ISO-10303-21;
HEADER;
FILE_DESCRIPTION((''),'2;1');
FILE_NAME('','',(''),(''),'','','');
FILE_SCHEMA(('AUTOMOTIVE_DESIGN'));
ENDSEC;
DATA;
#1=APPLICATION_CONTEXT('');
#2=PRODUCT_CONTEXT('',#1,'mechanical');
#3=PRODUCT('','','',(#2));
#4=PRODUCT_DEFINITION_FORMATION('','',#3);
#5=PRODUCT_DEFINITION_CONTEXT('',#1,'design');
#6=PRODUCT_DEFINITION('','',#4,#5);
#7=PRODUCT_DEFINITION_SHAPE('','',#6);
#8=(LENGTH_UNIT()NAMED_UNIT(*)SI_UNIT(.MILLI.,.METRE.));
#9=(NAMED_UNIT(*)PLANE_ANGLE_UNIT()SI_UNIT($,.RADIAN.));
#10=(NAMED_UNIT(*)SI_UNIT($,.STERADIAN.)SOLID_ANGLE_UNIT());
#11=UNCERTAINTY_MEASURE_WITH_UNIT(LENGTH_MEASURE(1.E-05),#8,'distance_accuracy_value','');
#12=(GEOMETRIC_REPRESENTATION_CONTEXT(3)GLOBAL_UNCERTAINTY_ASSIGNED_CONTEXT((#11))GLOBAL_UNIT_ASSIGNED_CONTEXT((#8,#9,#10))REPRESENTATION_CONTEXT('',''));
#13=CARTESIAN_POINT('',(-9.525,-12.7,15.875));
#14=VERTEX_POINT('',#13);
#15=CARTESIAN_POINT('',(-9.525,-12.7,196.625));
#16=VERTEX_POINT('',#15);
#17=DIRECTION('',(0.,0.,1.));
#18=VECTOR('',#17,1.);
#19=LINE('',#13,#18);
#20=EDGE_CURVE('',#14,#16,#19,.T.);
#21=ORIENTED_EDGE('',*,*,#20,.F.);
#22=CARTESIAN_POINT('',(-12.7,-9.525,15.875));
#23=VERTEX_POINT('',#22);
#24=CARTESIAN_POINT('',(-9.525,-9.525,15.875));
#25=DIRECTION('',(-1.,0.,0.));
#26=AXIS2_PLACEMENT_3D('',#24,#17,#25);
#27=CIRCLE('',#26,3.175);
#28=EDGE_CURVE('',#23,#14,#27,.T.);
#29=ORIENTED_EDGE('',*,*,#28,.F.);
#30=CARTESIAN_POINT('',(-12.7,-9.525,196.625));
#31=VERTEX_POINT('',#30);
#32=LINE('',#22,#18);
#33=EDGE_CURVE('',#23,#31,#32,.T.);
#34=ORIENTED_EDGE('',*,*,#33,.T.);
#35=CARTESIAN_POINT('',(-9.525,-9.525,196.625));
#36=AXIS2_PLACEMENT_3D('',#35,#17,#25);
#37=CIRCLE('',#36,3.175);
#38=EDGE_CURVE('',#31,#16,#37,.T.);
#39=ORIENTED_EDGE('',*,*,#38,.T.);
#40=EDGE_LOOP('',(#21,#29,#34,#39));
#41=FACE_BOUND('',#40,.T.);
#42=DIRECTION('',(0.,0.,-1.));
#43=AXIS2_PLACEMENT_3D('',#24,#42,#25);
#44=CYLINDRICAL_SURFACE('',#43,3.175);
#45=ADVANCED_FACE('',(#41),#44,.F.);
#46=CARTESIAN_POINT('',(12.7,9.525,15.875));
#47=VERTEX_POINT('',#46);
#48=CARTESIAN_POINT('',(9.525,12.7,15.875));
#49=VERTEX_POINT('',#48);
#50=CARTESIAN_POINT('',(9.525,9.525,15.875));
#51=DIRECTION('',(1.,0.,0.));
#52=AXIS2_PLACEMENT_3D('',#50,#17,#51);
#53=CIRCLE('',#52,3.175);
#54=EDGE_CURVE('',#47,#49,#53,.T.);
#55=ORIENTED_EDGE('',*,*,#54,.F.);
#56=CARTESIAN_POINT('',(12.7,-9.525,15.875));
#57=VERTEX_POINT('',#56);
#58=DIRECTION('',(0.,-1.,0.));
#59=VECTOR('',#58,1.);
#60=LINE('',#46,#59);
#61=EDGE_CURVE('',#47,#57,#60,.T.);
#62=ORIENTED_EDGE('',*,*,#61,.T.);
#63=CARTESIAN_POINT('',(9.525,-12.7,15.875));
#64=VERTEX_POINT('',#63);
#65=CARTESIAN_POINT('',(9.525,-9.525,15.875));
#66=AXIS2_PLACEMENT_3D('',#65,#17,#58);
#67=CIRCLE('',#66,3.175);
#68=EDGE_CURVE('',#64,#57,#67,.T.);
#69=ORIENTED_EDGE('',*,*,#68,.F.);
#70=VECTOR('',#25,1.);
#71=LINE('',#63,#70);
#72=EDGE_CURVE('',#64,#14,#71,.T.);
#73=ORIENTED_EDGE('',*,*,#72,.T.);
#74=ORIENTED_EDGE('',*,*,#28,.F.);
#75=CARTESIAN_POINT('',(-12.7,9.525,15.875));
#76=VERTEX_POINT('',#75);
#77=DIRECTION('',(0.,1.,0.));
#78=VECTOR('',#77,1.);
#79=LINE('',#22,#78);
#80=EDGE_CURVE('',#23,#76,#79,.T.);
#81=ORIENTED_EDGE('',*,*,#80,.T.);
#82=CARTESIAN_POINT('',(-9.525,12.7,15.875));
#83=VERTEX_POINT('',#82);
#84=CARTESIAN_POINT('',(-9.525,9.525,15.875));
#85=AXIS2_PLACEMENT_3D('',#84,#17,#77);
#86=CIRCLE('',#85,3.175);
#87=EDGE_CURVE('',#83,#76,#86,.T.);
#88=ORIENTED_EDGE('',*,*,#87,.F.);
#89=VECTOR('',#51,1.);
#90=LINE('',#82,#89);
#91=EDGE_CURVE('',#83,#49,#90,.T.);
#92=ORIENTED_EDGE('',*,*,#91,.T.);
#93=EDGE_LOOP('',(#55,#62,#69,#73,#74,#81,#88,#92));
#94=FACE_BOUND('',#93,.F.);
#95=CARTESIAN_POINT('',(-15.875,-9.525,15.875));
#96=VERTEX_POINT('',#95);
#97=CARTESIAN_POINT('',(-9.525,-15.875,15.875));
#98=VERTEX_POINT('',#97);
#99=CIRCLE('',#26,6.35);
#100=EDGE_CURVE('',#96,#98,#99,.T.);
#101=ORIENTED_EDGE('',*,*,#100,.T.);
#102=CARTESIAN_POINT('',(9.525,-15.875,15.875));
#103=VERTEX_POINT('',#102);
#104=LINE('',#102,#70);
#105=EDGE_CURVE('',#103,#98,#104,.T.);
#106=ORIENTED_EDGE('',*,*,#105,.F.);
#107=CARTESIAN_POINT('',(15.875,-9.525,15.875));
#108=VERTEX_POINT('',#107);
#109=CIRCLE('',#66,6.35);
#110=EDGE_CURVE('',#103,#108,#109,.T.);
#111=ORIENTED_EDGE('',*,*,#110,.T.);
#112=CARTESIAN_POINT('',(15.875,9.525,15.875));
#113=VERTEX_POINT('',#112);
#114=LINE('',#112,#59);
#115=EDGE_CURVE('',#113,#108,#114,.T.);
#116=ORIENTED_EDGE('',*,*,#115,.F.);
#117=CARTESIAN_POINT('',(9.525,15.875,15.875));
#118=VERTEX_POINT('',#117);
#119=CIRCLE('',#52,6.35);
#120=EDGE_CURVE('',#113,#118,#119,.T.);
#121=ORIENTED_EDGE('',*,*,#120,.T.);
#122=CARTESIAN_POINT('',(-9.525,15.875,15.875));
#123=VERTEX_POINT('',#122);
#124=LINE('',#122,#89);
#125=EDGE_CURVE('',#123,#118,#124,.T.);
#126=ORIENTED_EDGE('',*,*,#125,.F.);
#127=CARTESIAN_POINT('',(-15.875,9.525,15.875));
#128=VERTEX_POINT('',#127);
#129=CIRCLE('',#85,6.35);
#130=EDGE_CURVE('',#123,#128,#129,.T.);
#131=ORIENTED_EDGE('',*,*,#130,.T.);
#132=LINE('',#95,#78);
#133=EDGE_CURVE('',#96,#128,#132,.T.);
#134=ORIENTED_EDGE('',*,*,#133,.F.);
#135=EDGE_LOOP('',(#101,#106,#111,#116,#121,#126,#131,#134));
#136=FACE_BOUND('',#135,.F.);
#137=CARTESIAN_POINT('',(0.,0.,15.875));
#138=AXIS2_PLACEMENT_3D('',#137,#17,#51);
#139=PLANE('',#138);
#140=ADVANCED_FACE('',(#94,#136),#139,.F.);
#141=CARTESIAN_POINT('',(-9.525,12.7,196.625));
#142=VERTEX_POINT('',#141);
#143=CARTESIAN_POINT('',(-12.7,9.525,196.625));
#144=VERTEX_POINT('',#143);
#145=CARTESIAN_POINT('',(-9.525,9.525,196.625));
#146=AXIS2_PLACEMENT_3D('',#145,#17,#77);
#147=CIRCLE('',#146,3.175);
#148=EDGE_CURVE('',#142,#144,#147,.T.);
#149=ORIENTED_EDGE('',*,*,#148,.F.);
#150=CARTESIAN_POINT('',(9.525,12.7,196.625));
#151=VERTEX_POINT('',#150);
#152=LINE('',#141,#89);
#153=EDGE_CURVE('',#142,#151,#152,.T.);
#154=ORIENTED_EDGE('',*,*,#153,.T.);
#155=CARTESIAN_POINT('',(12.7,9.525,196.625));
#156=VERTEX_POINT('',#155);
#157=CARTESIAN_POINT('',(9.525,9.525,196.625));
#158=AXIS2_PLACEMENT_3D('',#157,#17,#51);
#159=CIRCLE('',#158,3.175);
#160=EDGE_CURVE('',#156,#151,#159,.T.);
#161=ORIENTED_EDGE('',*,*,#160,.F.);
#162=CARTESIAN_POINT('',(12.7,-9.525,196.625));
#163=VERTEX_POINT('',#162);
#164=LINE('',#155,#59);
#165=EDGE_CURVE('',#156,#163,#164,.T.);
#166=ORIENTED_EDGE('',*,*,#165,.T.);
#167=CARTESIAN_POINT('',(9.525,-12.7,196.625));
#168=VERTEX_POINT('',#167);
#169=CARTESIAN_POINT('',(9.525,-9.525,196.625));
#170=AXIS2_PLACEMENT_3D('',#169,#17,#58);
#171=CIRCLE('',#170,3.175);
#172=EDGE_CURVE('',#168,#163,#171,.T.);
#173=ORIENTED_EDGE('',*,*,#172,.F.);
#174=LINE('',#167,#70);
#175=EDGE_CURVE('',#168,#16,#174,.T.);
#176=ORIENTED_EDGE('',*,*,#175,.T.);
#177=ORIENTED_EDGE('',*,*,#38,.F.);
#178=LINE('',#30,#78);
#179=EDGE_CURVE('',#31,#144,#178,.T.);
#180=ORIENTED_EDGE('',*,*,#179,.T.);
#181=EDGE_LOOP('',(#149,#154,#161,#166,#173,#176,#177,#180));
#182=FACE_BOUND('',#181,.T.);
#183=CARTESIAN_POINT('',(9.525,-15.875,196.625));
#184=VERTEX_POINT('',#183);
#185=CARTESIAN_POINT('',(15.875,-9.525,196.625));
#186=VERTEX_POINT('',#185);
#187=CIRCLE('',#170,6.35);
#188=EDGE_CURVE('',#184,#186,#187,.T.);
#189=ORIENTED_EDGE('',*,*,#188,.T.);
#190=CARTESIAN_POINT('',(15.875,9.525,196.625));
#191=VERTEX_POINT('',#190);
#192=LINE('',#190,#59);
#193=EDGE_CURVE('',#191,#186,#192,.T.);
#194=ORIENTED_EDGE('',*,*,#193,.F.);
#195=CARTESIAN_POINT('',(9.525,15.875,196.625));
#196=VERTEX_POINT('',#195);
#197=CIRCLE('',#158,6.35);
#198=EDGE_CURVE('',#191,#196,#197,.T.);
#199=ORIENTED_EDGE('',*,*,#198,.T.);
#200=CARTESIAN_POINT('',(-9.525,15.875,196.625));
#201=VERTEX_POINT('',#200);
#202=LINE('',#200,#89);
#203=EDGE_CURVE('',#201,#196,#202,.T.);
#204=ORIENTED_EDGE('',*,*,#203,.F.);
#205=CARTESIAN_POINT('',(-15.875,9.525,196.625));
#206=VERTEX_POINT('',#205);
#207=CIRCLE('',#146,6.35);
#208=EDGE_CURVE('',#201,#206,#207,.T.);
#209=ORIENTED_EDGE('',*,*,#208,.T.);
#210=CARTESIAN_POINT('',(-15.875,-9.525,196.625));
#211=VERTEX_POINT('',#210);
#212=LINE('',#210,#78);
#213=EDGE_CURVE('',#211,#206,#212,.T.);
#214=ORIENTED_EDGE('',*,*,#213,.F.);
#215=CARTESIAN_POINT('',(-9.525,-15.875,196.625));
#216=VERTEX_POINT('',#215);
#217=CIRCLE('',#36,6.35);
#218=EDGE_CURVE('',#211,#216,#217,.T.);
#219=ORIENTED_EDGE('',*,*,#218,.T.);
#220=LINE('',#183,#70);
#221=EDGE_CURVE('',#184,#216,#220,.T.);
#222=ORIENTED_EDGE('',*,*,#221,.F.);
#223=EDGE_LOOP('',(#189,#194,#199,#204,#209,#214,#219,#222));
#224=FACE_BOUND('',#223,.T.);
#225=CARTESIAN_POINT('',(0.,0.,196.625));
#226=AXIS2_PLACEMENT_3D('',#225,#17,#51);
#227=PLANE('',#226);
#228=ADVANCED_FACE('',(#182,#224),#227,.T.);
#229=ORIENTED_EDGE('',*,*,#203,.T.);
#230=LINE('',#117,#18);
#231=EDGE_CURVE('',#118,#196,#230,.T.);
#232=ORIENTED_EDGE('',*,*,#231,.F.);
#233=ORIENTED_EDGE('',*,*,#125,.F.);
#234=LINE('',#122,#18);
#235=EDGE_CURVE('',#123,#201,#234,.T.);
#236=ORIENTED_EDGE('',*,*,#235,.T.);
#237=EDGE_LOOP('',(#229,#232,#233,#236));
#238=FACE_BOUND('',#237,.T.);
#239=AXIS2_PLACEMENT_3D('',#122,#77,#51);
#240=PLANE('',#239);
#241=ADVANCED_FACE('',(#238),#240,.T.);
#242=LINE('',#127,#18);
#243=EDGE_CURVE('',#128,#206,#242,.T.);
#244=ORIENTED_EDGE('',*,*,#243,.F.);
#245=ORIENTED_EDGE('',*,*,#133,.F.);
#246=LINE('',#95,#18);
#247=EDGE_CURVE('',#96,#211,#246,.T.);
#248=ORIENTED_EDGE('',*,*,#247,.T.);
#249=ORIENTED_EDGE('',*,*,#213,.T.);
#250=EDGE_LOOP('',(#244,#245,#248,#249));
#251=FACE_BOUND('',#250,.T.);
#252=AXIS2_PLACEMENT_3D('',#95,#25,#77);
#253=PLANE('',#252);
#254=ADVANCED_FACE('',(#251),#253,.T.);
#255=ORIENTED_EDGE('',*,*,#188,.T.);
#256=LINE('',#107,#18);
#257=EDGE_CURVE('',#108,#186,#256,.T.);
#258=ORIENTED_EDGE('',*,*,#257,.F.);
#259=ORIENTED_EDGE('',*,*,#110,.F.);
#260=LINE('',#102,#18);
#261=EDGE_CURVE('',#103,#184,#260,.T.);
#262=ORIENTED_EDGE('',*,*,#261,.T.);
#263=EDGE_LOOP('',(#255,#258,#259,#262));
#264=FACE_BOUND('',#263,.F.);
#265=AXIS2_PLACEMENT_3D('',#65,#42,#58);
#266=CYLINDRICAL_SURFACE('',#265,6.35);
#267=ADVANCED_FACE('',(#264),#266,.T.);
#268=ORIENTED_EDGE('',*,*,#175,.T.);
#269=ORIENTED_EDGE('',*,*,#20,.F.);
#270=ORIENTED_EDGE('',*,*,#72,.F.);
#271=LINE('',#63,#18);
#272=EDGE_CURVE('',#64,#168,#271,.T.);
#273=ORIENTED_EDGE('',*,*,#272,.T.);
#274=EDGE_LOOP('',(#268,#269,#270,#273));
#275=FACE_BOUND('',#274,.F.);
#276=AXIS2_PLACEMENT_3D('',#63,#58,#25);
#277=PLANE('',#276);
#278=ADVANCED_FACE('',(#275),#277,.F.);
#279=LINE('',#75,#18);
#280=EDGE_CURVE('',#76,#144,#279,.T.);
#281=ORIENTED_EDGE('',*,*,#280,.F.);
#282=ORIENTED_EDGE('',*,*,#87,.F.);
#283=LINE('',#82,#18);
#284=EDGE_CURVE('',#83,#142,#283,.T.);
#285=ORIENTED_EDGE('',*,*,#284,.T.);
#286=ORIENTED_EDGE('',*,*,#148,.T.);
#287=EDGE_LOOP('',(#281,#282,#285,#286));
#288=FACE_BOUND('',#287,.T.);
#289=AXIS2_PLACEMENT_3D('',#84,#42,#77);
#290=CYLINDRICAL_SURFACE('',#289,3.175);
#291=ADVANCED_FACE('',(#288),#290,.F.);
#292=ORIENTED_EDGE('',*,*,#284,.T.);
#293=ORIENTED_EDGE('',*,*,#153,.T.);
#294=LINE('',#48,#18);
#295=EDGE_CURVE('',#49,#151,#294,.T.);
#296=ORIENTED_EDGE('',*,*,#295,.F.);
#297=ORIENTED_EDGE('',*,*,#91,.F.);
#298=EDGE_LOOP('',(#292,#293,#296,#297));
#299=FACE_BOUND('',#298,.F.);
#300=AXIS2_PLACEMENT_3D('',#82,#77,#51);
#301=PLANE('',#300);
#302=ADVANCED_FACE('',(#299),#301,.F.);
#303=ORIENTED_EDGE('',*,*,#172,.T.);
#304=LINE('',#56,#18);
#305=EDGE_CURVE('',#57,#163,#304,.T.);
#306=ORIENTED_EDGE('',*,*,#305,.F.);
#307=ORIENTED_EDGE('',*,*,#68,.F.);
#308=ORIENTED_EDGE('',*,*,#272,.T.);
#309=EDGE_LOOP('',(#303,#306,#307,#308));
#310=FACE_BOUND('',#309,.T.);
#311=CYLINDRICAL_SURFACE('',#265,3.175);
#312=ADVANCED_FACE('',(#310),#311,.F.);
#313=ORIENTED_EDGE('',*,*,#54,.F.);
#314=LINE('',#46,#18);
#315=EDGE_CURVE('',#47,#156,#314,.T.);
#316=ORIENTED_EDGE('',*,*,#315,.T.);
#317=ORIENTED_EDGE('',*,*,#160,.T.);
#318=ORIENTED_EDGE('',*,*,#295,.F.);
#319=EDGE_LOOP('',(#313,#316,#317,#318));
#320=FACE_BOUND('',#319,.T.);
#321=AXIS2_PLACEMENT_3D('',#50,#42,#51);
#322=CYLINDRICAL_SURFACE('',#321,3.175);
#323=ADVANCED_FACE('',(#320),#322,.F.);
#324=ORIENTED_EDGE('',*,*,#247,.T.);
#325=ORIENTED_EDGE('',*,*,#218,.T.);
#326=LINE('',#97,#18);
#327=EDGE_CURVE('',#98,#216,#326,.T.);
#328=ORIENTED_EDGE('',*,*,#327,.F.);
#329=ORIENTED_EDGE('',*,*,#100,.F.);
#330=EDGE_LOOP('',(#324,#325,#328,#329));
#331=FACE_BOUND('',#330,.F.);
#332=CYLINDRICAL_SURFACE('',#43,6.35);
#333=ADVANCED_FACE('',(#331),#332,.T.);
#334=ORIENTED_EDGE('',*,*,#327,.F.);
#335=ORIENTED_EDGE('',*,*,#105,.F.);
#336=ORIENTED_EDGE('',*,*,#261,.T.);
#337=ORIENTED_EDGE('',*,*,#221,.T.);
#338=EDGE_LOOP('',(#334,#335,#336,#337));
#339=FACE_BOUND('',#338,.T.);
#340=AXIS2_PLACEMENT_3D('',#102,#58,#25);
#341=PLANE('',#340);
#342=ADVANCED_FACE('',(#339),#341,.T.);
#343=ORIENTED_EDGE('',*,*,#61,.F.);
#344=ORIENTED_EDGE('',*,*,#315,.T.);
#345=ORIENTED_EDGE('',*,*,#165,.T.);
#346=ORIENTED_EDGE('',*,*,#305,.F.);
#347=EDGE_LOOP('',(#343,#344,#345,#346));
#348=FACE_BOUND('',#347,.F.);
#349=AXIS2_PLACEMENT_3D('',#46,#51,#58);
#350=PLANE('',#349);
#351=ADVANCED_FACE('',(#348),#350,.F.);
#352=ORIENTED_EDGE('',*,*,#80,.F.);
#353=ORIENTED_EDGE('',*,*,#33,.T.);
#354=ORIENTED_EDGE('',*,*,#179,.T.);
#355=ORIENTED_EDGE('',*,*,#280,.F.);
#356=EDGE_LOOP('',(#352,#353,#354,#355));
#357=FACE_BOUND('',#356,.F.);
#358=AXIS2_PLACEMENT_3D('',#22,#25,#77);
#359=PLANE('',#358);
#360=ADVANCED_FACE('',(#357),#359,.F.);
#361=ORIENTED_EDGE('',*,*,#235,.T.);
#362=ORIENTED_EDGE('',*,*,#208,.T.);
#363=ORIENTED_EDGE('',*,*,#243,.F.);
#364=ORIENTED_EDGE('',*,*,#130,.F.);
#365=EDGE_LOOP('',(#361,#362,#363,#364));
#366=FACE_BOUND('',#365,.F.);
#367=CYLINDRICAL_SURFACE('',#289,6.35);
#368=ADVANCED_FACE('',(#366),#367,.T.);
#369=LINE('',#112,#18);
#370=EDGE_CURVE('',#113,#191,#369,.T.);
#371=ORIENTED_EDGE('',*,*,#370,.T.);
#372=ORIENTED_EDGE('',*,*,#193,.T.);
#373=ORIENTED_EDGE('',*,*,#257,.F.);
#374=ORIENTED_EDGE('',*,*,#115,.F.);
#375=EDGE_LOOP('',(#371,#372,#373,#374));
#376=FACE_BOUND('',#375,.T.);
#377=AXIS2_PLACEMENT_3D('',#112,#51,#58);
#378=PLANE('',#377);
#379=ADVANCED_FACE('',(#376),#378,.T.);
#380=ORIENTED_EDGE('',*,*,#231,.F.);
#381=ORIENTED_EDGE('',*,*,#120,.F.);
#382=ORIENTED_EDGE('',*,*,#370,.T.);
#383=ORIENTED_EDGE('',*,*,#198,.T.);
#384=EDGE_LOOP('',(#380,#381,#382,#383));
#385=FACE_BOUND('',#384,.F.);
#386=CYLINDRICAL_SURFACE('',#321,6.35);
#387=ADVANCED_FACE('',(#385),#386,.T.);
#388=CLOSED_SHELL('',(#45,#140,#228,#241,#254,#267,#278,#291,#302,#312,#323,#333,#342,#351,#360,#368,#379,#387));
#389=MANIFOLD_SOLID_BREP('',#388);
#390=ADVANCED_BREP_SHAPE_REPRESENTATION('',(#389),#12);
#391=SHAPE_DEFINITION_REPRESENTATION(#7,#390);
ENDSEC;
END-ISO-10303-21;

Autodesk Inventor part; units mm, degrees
ref_plane "Start Plane" through (0, 0, 15.875) normal (0, 0, 1) x (1, 0, 0)
ref_plane "End Plane" through (0, 0, 196.625) normal (0, 0, 1) x (1, 0, 0)
sketch "Sketch" plane through (0, 0, 0) normal (0, 0, 1) x (1, 0, 0)
  line L0 (-15.875, -9.525) -> (-15.875, 9.525)
  line L1 (-9.525, 15.875) -> (9.525, 15.875)
  line L2 (15.875, 9.525) -> (15.875, -9.525)
  line L3 (9.525, -15.875) -> (-9.525, -15.875)
  arc A0 (-15.875, -9.525) -> (-9.525, -15.875) centre (-9.525, -9.525) ccw
  arc A1 (-9.525, 15.875) -> (-15.875, 9.525) centre (-9.525, 9.525) ccw
  arc A2 (15.875, 9.525) -> (9.525, 15.875) centre (9.525, 9.525) ccw
  arc A3 (9.525, -15.875) -> (15.875, -9.525) centre (9.525, -9.525) ccw
  arc A4 (-9.525, 12.7) -> (-12.7, 9.525) centre (-9.525, 9.525) ccw
  line L4 (-9.525, 12.7) -> (9.525, 12.7)
  arc A5 (12.7, 9.525) -> (9.525, 12.7) centre (9.525, 9.525) ccw
  line L5 (12.7, 9.525) -> (12.7, -9.525)
  arc A6 (9.525, -12.7) -> (12.7, -9.525) centre (9.525, -9.525) ccw
  line L6 (9.525, -12.7) -> (-9.525, -12.7)
  arc A7 (-12.7, -9.525) -> (-9.525, -12.7) centre (-9.525, -9.525) ccw
  line L7 (-12.7, -9.525) -> (-12.7, 9.525)
  line L8 (0, 24.0662) -> (0, -24.0662) construction
  line L9 (-24.0662, 0) -> (24.0662, 0) construction
  dimension "d10" = 31.75
  dimension "d11" = 31.75
  dimension "d12" = 3.175
  dimension "d15" = 15.875
  dimension "d16" = 15.875
  dimension "d17" = 6.35
extrude "Body" add sketch "Sketch" along normal up to surface (180.75 mm away) from surface at 15.875
sketch "Sketch3" plane through (0, 0, 0) normal (0, 0, 1) x (1, 0, 0)
  line L0 (0, 0) -> (10, 0)
ref_plane "Work Plane3" through (0, 0, 0) normal (0, -1, 0) x (1, 0, 0)
sketch "Sketch4" plane through (0, 0, 0) normal (0, -1, 0) x (1, 0, 0)
  line L0 (-2, 15.875) -> (12, 15.875)
  line L1 (-2, 196.625) -> (12, 196.625)
  dimension "d19" = 180.75
ref_plane "Work Plane4" through (266.6667, -9.525, 196.625) normal (0, 0, 1) x (1, 0, 0)
split "Split1" plane through (266.6667, -9.525, 196.625) removes the side toward (0, 0, 1)
ref_plane "Work Plane5" through (-533.3333, -9.525, 15.875) normal (0, 0, -1) x (-1, 0, 0)
split "Split2" plane through (-533.3333, -9.525, 15.875) removes the side toward (0, 0, -1)
equation "\"d10\" = G_H"
equation "\"d11\" = G_W"
equation "\"d12\" = G_T"
equation "\"d15\" = 0.5 * d10"
equation "\"d16\" = 0.5 * d11"
equation "\"d17\" = G_IR"
equation "\"d3\" = G_L"
equation "\"G_W\" = 31.75"
equation "\"G_H\" = 31.75"
equation "\"G_T\" = 3.175"
equation "\"G_IR\" = 6.35"
equation "\"G_L\" = d19"
equation "\"G_OFFSET_START\" = -15.875"
equation "\"G_OFFSET_END\" = -15.875"
equation "\"d13\" = -G_OFFSET_START"
equation "\"d14\" = G_OFFSET_END + B_L"
equation "\"B_L\" = 212.5"
properties part number "AISC HSS - (1 1/4x1 1/4x1/8) - 7.116" material "Steel, Mild"
